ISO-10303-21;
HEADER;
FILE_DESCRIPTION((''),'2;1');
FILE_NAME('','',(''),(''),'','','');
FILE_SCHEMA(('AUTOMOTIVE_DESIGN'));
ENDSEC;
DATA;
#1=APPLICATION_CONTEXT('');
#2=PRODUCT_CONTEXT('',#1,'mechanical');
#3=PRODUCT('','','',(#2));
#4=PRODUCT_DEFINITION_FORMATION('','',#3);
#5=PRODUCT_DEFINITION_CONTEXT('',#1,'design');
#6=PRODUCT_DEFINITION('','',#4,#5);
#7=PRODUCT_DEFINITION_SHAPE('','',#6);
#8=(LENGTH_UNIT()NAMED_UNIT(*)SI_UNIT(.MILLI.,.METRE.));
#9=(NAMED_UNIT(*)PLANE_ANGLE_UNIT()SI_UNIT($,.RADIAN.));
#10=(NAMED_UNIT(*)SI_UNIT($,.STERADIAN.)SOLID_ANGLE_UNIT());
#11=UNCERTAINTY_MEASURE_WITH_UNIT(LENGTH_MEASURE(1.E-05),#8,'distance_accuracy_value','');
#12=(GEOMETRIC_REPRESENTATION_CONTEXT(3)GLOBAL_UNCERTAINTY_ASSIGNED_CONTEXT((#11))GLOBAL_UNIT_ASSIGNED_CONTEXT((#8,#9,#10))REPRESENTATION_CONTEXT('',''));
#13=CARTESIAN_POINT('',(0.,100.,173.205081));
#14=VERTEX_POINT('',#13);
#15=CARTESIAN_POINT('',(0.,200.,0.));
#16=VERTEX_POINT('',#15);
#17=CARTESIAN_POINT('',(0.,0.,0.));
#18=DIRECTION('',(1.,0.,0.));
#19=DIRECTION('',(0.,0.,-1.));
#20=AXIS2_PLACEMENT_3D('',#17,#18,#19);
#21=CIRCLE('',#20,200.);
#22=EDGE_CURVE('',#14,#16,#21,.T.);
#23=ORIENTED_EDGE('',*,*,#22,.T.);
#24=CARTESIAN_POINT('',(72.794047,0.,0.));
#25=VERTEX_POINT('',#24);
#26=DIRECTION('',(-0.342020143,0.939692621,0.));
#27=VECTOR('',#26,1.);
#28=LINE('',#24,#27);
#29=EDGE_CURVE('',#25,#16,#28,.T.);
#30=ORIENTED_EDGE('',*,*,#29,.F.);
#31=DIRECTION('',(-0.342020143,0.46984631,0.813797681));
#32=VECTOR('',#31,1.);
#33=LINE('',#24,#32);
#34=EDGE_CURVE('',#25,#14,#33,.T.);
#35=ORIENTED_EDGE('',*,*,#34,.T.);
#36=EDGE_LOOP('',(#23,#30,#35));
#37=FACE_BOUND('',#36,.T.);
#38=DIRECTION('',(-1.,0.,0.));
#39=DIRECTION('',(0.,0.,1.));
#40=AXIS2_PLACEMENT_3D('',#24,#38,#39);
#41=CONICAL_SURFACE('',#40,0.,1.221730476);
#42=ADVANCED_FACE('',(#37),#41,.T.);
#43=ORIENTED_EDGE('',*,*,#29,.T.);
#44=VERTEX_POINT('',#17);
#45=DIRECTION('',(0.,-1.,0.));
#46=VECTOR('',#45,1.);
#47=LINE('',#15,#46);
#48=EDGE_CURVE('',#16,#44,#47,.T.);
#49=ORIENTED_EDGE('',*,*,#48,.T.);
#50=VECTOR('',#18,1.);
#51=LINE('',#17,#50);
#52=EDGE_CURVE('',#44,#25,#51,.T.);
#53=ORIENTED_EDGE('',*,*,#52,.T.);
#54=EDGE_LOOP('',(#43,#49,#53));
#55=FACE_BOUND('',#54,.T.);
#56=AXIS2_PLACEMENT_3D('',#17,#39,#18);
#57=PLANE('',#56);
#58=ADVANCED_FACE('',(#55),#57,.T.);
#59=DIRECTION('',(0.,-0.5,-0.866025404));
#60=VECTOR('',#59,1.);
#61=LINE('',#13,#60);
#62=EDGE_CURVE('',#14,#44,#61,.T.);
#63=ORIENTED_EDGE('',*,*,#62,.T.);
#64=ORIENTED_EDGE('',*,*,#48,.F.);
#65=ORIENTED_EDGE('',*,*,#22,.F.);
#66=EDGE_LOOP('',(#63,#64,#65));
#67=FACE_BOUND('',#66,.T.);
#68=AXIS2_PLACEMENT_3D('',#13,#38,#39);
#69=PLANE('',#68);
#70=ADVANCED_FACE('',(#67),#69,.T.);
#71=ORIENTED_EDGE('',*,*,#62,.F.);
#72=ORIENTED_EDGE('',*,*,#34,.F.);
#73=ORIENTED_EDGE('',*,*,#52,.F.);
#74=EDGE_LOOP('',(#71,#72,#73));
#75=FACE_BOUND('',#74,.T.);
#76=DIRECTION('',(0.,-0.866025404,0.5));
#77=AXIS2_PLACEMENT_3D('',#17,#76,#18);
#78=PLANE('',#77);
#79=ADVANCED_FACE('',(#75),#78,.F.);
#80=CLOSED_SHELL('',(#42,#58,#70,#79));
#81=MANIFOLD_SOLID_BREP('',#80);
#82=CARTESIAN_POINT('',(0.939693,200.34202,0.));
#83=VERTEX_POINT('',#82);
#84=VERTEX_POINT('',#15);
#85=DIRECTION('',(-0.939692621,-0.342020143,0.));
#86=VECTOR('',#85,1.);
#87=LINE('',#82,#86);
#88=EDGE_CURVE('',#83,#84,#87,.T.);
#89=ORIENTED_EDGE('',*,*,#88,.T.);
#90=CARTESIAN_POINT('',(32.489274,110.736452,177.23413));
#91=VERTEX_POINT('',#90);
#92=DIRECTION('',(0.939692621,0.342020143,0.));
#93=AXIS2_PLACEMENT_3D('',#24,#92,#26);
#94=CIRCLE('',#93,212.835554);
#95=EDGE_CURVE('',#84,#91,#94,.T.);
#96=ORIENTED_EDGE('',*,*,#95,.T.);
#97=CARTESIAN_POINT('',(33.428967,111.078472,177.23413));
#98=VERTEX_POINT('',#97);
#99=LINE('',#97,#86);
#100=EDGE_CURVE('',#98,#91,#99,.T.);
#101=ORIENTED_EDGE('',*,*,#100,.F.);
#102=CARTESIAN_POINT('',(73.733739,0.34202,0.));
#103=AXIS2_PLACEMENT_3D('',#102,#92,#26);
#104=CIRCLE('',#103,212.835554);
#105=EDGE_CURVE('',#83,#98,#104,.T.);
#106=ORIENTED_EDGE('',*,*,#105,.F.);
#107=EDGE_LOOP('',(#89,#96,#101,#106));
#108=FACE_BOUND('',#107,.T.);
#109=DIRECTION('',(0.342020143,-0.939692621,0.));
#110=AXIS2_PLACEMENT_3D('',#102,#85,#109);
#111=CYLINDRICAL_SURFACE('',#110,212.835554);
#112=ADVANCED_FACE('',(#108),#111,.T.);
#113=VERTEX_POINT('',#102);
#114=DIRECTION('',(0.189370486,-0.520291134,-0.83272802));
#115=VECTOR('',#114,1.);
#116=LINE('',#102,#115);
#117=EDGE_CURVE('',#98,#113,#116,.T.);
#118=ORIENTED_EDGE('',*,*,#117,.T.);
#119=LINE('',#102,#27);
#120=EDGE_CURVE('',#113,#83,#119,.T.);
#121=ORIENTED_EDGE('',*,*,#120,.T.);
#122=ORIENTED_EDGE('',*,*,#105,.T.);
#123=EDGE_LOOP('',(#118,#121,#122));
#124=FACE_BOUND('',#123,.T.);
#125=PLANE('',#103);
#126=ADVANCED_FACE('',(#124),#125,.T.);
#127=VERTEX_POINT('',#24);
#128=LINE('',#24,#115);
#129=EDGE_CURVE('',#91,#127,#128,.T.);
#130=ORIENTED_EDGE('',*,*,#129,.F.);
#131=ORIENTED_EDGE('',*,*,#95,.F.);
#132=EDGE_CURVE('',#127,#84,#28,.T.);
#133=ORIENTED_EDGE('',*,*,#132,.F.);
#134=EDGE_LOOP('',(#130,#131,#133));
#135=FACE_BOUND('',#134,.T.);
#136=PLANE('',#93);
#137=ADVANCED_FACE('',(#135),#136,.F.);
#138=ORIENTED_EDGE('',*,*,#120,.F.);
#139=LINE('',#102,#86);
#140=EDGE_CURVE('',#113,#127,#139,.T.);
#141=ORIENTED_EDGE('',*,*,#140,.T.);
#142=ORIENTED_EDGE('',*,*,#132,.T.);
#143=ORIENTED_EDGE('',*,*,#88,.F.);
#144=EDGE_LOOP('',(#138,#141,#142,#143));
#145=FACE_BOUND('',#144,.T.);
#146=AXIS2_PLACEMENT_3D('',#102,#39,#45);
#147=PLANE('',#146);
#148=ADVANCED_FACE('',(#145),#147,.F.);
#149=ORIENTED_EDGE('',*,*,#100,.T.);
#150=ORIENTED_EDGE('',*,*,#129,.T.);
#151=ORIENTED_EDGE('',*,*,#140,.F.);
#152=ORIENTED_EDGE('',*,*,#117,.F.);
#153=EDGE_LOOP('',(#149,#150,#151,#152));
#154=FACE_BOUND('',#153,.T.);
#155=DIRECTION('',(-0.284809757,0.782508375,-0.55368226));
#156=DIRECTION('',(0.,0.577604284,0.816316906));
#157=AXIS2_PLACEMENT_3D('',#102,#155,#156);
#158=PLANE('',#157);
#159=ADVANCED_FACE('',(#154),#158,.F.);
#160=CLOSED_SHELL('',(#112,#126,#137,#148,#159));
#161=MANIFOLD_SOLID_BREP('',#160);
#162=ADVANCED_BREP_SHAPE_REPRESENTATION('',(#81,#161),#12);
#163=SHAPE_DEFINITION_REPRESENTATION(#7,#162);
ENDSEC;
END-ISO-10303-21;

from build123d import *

# Parameters (mm, degrees)
R_VOLUTION1_ANGLE = 300
EXTRUSION1_DEPTH  = 1


with BuildPart() as part:
    # Esquisse1 → R_volution1 (revolve)
    with BuildSketch(Plane.XY):
        Polygon((0, 0), (72.794046853, 0), (0, 200), align=None)
    revolve(axis=Axis((0, 0, 0), (-1, 0, 0)), revolution_arc=R_VOLUTION1_ANGLE)

    # Esquisse2 → Extrusion1 (add)
    with BuildSketch(Plane(origin=(64.278760969, 23.395555688, 0), x_dir=(0, 0, -1), z_dir=(0.939692621, 0.342020143, 0))):
        with BuildLine():
            Line((0, -24.897030338), (-177.234129854, 92.946240459))
            ThreePointArc((-177.234129854, 92.946240459), (-100.542864923, 162.693229458), (0, 187.938524157))
            Line((0, 187.938524157), (0, -24.897030338))
        make_face()
    extrude(amount=EXTRUSION1_DEPTH)


solid = part.part
